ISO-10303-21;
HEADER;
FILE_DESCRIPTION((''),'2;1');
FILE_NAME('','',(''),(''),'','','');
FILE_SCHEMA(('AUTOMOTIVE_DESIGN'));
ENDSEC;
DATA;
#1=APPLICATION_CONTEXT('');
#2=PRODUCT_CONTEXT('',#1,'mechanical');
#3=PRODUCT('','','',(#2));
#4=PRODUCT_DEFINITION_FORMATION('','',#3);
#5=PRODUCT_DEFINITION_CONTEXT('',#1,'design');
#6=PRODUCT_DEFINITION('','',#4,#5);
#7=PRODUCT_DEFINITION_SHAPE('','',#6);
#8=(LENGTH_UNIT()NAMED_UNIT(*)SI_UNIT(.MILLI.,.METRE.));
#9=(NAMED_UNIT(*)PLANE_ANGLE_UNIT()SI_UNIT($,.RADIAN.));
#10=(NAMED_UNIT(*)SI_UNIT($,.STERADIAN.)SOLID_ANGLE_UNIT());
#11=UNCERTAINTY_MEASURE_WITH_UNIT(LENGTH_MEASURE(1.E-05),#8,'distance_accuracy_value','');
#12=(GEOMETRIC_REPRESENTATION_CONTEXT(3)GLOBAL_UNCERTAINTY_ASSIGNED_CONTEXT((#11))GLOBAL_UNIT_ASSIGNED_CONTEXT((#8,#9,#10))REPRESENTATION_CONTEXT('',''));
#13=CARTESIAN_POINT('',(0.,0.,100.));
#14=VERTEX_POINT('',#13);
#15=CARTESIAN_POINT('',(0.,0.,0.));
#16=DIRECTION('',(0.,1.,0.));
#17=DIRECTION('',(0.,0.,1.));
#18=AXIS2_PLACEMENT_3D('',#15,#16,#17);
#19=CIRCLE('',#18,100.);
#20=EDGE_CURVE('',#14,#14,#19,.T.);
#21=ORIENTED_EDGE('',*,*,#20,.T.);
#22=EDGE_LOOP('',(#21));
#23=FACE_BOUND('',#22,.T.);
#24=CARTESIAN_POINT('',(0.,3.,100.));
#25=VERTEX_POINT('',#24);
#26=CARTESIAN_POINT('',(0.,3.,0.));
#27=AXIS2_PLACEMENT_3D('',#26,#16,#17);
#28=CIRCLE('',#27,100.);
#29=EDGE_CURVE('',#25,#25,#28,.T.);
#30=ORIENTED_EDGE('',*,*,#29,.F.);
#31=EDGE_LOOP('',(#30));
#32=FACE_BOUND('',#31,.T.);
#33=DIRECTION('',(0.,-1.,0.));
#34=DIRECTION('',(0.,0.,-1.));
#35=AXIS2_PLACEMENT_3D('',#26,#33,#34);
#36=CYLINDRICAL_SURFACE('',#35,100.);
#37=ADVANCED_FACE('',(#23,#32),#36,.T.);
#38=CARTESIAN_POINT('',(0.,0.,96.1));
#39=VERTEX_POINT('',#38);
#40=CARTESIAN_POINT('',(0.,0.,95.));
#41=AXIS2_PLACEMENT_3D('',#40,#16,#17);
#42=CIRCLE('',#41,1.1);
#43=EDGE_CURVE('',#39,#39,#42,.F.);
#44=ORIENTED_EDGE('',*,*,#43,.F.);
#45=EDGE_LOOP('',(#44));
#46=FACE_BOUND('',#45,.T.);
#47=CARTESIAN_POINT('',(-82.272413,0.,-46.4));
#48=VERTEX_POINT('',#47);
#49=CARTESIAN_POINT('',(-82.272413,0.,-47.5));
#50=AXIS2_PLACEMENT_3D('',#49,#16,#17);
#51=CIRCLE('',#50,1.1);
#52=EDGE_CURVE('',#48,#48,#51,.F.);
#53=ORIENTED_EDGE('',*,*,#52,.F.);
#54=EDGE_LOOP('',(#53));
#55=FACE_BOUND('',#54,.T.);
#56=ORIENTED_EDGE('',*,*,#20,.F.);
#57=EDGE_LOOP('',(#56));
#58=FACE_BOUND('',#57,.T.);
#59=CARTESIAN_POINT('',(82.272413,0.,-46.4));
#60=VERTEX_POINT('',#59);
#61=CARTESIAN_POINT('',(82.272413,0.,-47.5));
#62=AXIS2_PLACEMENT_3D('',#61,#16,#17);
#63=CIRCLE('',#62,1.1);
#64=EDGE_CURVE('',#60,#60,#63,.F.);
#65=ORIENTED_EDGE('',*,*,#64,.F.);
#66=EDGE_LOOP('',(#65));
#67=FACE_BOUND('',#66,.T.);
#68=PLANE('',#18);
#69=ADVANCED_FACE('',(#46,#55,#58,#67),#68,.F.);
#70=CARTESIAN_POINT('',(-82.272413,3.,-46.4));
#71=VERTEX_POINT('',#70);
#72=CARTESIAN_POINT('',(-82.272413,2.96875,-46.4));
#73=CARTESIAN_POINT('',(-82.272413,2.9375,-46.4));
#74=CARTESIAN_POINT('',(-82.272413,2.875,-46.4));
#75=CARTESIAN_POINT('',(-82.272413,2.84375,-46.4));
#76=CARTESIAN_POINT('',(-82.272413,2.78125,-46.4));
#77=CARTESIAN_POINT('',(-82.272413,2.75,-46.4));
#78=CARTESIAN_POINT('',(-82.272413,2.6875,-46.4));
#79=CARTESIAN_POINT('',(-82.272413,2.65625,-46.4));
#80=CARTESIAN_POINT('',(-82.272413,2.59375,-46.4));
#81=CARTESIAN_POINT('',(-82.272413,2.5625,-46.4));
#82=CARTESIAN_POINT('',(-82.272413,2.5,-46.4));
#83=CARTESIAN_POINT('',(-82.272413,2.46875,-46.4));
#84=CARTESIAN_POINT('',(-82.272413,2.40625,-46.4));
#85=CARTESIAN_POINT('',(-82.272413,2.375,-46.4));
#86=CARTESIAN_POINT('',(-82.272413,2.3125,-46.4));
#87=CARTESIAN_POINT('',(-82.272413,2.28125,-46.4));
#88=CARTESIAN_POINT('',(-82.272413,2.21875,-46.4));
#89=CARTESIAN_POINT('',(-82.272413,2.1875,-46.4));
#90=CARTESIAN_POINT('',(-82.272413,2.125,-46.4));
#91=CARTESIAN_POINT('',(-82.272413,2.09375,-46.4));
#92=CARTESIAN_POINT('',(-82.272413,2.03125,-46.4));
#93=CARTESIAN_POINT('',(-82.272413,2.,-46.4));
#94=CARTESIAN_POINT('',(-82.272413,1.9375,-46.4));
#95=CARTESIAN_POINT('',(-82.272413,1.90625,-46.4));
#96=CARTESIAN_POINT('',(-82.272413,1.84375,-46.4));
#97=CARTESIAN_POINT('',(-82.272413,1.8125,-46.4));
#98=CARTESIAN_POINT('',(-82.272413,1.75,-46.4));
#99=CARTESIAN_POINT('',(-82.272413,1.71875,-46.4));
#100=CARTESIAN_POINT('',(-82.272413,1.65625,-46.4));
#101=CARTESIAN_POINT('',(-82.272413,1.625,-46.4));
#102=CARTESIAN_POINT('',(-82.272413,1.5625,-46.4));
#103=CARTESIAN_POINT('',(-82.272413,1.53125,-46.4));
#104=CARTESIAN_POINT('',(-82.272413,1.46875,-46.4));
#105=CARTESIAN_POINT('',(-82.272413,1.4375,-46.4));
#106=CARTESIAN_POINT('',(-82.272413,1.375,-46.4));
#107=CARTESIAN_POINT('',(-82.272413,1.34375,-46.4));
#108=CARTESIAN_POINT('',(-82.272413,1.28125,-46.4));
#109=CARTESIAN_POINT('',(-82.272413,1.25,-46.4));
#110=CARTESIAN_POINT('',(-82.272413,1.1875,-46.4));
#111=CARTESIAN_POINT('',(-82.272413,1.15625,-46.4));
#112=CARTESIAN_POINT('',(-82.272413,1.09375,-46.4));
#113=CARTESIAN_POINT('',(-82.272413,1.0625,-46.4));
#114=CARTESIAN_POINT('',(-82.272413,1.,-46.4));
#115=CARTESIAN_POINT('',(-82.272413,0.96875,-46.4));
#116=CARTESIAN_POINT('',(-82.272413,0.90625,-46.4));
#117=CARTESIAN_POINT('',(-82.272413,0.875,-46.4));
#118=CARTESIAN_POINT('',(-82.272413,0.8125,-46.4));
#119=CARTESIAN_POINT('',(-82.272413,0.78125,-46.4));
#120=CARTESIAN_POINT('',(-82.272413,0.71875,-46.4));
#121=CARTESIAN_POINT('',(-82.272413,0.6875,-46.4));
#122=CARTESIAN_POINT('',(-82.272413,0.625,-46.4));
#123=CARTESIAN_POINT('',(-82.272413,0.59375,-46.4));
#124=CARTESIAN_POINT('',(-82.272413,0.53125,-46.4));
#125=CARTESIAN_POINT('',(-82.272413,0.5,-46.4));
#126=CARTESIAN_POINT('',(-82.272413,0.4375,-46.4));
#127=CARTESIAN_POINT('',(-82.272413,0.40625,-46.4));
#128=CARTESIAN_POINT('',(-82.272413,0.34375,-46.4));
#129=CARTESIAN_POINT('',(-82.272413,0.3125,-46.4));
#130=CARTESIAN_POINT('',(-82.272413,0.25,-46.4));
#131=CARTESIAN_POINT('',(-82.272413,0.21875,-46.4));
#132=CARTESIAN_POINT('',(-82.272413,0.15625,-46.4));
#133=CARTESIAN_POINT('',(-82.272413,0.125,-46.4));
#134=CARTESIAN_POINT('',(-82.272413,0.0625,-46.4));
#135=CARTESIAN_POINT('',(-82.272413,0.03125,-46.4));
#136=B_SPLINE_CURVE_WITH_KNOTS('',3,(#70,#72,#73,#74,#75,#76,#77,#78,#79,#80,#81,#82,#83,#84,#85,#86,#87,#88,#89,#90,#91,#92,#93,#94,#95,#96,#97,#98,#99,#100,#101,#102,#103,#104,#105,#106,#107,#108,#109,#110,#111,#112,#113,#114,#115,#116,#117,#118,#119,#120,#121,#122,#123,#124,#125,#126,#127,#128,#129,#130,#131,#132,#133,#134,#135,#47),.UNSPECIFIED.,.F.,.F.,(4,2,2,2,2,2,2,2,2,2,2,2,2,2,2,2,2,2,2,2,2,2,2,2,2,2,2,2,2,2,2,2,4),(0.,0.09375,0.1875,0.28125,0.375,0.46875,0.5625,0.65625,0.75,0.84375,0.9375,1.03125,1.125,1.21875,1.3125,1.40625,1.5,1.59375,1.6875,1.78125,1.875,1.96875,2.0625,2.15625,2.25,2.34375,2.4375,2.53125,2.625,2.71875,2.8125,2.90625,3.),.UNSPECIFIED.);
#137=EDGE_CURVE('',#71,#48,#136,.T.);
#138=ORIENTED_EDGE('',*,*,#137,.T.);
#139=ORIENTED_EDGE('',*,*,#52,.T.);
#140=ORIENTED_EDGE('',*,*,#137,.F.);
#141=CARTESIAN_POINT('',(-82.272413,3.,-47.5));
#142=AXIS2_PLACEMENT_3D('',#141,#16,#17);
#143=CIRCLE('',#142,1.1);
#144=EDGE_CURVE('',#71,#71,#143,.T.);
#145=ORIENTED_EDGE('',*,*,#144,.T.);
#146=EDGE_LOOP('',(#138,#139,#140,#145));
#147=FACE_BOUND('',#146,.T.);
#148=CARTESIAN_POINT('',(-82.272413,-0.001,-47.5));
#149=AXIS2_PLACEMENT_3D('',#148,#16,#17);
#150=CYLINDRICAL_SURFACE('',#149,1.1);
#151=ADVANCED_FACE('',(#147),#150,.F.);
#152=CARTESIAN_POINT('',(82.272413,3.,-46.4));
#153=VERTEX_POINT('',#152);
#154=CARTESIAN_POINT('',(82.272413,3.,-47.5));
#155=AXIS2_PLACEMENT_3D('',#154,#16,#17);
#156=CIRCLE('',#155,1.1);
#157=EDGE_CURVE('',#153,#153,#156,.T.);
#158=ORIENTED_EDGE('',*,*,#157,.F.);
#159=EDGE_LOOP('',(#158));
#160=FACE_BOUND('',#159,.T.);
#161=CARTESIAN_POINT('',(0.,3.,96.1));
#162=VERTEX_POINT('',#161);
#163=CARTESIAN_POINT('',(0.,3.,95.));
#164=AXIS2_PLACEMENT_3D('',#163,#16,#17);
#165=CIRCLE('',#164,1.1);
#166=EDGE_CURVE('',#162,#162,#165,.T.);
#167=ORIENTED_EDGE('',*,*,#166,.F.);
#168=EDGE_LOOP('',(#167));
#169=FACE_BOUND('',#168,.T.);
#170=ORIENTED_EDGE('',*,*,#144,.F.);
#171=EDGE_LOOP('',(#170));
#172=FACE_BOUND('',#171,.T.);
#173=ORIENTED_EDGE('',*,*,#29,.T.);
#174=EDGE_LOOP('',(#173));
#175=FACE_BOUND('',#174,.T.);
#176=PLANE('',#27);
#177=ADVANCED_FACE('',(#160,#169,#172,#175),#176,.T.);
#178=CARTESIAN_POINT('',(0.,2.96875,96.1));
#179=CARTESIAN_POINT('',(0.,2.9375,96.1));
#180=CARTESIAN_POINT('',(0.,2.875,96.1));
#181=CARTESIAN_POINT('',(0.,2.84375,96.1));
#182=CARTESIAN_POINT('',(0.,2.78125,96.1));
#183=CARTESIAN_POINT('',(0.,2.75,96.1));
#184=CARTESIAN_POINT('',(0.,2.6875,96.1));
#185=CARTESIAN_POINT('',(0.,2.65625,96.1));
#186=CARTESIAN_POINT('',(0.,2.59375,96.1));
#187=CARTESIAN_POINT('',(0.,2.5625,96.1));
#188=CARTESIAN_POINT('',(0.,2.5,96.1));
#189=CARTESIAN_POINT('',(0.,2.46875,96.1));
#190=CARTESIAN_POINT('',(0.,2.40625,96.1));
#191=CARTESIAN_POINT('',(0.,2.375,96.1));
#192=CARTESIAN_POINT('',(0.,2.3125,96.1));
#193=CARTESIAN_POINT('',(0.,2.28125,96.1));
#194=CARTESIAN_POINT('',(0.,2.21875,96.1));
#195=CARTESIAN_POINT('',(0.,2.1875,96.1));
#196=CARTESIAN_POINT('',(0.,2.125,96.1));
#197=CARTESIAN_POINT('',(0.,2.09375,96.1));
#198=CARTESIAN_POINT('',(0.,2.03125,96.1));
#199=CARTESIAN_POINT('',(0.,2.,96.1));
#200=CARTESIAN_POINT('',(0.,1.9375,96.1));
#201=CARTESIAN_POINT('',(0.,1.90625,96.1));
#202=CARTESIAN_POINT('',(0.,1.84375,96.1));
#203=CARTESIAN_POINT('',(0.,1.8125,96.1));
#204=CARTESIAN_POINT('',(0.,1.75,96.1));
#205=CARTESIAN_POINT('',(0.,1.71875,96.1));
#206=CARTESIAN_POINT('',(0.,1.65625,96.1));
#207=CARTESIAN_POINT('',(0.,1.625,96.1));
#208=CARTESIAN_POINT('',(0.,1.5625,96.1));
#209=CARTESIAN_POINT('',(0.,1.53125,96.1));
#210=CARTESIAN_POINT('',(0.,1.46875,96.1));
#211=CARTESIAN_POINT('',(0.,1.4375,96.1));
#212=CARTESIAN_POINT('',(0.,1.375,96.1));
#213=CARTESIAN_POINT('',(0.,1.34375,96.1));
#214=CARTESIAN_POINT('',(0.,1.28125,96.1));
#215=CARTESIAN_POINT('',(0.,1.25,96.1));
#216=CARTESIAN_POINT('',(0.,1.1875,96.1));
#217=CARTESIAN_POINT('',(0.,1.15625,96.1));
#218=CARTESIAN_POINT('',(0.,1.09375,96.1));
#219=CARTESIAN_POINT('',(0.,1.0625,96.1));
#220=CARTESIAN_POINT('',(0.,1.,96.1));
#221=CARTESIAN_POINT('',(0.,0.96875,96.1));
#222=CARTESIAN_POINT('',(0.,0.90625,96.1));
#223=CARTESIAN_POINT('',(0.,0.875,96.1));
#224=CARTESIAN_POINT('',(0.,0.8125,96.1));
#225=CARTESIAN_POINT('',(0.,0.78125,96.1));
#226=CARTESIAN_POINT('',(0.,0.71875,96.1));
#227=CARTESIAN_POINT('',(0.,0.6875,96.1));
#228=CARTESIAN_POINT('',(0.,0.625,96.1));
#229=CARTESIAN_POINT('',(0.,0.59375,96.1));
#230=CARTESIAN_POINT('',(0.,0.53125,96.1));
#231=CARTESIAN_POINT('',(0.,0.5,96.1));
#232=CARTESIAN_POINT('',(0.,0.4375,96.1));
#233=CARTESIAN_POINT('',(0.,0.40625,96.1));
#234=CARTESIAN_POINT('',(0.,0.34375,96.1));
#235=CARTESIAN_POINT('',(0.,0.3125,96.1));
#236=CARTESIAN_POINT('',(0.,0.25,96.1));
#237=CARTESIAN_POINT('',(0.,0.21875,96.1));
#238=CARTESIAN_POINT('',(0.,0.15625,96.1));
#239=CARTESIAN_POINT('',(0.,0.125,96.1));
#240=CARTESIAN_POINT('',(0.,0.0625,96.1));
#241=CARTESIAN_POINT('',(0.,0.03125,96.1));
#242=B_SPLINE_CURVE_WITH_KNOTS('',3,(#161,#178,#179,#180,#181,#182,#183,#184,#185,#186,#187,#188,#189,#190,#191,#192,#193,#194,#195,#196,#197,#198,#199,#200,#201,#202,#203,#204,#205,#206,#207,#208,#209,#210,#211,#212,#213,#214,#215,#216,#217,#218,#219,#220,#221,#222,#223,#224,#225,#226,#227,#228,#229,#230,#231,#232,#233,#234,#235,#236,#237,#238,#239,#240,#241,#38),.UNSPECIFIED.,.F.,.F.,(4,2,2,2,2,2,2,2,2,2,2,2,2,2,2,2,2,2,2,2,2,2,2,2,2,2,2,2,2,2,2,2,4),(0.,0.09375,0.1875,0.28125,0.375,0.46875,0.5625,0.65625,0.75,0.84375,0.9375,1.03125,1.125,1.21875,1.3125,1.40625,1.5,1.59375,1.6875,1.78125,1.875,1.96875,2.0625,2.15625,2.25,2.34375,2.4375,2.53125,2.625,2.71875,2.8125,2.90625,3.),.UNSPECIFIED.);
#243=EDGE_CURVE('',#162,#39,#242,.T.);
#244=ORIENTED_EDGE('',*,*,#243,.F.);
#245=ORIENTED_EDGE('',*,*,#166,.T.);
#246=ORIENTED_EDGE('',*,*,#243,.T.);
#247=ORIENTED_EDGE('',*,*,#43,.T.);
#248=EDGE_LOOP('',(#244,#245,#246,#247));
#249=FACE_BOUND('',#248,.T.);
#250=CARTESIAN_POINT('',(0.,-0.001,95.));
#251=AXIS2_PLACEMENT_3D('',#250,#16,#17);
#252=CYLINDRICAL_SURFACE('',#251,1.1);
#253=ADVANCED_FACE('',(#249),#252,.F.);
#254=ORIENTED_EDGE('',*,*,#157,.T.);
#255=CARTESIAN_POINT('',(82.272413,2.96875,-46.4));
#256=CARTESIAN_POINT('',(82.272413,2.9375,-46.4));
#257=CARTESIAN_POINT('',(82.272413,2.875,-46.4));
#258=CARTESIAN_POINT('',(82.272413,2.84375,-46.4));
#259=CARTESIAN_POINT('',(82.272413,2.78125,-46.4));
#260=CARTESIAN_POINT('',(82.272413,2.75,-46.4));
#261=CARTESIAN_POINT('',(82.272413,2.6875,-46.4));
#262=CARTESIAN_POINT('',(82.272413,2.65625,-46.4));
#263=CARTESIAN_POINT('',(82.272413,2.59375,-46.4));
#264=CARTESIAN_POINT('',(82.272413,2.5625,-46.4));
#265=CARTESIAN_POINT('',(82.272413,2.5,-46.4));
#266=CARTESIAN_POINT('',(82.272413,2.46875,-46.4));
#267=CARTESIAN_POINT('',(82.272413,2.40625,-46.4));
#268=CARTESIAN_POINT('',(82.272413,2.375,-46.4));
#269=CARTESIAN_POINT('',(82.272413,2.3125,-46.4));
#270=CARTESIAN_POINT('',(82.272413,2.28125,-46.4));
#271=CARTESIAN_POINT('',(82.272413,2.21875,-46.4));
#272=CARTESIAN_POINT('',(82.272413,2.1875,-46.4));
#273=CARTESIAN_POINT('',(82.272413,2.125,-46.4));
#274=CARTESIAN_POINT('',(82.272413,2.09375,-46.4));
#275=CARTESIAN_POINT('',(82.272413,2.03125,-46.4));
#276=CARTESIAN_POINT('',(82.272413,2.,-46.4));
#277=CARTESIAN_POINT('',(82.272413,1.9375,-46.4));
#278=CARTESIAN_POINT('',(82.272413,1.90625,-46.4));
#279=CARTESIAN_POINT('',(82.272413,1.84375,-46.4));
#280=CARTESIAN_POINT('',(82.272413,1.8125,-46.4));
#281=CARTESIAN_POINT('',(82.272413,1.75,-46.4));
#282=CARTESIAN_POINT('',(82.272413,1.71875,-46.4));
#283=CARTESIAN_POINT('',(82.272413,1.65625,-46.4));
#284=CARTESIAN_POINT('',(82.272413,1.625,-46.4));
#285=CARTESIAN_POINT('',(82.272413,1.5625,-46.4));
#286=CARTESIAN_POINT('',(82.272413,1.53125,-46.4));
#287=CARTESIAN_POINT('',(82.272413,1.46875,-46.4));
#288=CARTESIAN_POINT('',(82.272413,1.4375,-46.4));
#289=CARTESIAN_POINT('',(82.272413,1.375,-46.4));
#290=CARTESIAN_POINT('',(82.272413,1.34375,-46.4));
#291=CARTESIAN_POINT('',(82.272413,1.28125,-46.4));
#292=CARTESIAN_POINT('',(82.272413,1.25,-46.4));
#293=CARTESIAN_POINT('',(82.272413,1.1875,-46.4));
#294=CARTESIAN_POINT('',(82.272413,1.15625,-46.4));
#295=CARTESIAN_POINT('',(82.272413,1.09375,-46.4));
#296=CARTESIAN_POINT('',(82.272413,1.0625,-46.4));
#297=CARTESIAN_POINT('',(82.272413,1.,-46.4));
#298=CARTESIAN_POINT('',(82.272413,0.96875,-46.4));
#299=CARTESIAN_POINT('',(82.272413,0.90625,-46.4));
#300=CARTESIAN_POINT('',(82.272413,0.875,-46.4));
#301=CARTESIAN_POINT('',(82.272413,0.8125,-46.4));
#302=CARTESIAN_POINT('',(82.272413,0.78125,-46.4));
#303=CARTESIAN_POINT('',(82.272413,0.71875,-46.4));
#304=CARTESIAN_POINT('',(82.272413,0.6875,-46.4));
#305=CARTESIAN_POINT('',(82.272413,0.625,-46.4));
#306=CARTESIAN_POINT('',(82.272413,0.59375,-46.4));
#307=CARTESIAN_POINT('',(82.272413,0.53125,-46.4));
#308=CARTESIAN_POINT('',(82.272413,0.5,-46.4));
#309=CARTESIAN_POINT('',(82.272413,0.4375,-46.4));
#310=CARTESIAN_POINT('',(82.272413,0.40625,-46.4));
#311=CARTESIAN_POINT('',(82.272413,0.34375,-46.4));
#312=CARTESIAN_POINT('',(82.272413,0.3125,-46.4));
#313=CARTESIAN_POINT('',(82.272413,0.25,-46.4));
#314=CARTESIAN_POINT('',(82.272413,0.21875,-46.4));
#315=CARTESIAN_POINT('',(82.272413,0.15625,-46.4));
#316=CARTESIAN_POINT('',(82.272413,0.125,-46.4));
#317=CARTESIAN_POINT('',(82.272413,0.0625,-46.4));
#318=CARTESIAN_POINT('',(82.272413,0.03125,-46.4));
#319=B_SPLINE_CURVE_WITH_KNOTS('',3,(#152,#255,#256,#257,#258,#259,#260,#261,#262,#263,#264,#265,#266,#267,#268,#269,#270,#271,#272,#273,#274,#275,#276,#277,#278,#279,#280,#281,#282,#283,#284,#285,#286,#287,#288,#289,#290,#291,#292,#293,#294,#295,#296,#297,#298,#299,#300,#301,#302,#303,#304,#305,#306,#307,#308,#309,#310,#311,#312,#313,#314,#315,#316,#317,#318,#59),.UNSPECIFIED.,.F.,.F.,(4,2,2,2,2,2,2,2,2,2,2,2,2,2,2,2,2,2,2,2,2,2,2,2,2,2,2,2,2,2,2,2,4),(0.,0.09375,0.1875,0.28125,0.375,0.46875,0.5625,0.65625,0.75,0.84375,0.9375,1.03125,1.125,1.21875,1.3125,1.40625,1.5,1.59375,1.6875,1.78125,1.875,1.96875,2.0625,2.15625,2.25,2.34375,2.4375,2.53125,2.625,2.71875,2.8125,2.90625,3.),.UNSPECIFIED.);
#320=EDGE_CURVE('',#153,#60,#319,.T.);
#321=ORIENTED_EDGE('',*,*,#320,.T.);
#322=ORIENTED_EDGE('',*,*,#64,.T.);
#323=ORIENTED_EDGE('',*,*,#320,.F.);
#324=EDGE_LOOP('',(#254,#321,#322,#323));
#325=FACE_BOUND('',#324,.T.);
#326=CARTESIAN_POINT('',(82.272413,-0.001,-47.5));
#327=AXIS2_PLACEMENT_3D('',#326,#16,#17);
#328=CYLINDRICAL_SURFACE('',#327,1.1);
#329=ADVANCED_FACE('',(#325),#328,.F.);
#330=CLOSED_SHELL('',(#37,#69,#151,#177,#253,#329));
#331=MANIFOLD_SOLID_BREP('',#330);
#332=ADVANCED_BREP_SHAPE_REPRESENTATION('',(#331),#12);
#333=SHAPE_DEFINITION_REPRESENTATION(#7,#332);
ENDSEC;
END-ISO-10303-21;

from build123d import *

# Parameters (mm, degrees)
SKETCH_1_R          = 100
EXTRUDE_1_DEPTH     = 3
CUT_EXTRUDE_1_REACH = 143.453
SKETCH_2_R          = 1.1


with BuildPart() as part:
    # 草图1 → 凸台-拉伸1 (new body)
    with BuildSketch(Plane(origin=(0, 0, 0), x_dir=(1, 0, 0), z_dir=(0, 1, 0))):
        with Locations(Location((0, 0, 0), (0, 0, 270))):
            Circle(SKETCH_1_R)
    extrude(amount=EXTRUDE_1_DEPTH)

    # 草图2 → 切除-拉伸1 (cut, up to next)
    with BuildSketch(Plane(origin=(0, 3, 0), x_dir=(1, 0, 0), z_dir=(0, 1, 0)), mode=Mode.PRIVATE) as cut_extrude_1_sk1:
        with Locations(Location((0, -95, 0), (0, 0, 270))):
            Circle(SKETCH_2_R)
    cut_extrude_1_tool1 = extrude(cut_extrude_1_sk1.sketch, amount=-CUT_EXTRUDE_1_REACH, mode=Mode.PRIVATE) & part.part
    # 草图2 → 切除-拉伸1 (cut, up to next)
    with BuildSketch(Plane(origin=(0, 3, 0), x_dir=(1, 0, 0), z_dir=(0, 1, 0)), mode=Mode.PRIVATE) as cut_extrude_1_sk2:
        with Locations(Location((-82.27241336, 47.5, 0), (0, 0, 270))):
            Circle(SKETCH_2_R)
    cut_extrude_1_tool2 = extrude(cut_extrude_1_sk2.sketch, amount=-CUT_EXTRUDE_1_REACH, mode=Mode.PRIVATE) & part.part
    # 草图2 → 切除-拉伸1 (cut, up to next)
    with BuildSketch(Plane(origin=(0, 3, 0), x_dir=(1, 0, 0), z_dir=(0, 1, 0)), mode=Mode.PRIVATE) as cut_extrude_1_sk3:
        with Locations(Location((82.27241336, 47.5, 0), (0, 0, 270))):
            Circle(SKETCH_2_R)
    cut_extrude_1_tool3 = extrude(cut_extrude_1_sk3.sketch, amount=-CUT_EXTRUDE_1_REACH, mode=Mode.PRIVATE) & part.part
    add(cut_extrude_1_tool1.solids().sort_by_distance((0, 3, 95))[0], mode=Mode.SUBTRACT)
    add(cut_extrude_1_tool2.solids().sort_by_distance((-82.272413, 3, -47.5))[0], mode=Mode.SUBTRACT)
    add(cut_extrude_1_tool3.solids().sort_by_distance((82.272413, 3, -47.5))[0], mode=Mode.SUBTRACT)


solid = part.part
